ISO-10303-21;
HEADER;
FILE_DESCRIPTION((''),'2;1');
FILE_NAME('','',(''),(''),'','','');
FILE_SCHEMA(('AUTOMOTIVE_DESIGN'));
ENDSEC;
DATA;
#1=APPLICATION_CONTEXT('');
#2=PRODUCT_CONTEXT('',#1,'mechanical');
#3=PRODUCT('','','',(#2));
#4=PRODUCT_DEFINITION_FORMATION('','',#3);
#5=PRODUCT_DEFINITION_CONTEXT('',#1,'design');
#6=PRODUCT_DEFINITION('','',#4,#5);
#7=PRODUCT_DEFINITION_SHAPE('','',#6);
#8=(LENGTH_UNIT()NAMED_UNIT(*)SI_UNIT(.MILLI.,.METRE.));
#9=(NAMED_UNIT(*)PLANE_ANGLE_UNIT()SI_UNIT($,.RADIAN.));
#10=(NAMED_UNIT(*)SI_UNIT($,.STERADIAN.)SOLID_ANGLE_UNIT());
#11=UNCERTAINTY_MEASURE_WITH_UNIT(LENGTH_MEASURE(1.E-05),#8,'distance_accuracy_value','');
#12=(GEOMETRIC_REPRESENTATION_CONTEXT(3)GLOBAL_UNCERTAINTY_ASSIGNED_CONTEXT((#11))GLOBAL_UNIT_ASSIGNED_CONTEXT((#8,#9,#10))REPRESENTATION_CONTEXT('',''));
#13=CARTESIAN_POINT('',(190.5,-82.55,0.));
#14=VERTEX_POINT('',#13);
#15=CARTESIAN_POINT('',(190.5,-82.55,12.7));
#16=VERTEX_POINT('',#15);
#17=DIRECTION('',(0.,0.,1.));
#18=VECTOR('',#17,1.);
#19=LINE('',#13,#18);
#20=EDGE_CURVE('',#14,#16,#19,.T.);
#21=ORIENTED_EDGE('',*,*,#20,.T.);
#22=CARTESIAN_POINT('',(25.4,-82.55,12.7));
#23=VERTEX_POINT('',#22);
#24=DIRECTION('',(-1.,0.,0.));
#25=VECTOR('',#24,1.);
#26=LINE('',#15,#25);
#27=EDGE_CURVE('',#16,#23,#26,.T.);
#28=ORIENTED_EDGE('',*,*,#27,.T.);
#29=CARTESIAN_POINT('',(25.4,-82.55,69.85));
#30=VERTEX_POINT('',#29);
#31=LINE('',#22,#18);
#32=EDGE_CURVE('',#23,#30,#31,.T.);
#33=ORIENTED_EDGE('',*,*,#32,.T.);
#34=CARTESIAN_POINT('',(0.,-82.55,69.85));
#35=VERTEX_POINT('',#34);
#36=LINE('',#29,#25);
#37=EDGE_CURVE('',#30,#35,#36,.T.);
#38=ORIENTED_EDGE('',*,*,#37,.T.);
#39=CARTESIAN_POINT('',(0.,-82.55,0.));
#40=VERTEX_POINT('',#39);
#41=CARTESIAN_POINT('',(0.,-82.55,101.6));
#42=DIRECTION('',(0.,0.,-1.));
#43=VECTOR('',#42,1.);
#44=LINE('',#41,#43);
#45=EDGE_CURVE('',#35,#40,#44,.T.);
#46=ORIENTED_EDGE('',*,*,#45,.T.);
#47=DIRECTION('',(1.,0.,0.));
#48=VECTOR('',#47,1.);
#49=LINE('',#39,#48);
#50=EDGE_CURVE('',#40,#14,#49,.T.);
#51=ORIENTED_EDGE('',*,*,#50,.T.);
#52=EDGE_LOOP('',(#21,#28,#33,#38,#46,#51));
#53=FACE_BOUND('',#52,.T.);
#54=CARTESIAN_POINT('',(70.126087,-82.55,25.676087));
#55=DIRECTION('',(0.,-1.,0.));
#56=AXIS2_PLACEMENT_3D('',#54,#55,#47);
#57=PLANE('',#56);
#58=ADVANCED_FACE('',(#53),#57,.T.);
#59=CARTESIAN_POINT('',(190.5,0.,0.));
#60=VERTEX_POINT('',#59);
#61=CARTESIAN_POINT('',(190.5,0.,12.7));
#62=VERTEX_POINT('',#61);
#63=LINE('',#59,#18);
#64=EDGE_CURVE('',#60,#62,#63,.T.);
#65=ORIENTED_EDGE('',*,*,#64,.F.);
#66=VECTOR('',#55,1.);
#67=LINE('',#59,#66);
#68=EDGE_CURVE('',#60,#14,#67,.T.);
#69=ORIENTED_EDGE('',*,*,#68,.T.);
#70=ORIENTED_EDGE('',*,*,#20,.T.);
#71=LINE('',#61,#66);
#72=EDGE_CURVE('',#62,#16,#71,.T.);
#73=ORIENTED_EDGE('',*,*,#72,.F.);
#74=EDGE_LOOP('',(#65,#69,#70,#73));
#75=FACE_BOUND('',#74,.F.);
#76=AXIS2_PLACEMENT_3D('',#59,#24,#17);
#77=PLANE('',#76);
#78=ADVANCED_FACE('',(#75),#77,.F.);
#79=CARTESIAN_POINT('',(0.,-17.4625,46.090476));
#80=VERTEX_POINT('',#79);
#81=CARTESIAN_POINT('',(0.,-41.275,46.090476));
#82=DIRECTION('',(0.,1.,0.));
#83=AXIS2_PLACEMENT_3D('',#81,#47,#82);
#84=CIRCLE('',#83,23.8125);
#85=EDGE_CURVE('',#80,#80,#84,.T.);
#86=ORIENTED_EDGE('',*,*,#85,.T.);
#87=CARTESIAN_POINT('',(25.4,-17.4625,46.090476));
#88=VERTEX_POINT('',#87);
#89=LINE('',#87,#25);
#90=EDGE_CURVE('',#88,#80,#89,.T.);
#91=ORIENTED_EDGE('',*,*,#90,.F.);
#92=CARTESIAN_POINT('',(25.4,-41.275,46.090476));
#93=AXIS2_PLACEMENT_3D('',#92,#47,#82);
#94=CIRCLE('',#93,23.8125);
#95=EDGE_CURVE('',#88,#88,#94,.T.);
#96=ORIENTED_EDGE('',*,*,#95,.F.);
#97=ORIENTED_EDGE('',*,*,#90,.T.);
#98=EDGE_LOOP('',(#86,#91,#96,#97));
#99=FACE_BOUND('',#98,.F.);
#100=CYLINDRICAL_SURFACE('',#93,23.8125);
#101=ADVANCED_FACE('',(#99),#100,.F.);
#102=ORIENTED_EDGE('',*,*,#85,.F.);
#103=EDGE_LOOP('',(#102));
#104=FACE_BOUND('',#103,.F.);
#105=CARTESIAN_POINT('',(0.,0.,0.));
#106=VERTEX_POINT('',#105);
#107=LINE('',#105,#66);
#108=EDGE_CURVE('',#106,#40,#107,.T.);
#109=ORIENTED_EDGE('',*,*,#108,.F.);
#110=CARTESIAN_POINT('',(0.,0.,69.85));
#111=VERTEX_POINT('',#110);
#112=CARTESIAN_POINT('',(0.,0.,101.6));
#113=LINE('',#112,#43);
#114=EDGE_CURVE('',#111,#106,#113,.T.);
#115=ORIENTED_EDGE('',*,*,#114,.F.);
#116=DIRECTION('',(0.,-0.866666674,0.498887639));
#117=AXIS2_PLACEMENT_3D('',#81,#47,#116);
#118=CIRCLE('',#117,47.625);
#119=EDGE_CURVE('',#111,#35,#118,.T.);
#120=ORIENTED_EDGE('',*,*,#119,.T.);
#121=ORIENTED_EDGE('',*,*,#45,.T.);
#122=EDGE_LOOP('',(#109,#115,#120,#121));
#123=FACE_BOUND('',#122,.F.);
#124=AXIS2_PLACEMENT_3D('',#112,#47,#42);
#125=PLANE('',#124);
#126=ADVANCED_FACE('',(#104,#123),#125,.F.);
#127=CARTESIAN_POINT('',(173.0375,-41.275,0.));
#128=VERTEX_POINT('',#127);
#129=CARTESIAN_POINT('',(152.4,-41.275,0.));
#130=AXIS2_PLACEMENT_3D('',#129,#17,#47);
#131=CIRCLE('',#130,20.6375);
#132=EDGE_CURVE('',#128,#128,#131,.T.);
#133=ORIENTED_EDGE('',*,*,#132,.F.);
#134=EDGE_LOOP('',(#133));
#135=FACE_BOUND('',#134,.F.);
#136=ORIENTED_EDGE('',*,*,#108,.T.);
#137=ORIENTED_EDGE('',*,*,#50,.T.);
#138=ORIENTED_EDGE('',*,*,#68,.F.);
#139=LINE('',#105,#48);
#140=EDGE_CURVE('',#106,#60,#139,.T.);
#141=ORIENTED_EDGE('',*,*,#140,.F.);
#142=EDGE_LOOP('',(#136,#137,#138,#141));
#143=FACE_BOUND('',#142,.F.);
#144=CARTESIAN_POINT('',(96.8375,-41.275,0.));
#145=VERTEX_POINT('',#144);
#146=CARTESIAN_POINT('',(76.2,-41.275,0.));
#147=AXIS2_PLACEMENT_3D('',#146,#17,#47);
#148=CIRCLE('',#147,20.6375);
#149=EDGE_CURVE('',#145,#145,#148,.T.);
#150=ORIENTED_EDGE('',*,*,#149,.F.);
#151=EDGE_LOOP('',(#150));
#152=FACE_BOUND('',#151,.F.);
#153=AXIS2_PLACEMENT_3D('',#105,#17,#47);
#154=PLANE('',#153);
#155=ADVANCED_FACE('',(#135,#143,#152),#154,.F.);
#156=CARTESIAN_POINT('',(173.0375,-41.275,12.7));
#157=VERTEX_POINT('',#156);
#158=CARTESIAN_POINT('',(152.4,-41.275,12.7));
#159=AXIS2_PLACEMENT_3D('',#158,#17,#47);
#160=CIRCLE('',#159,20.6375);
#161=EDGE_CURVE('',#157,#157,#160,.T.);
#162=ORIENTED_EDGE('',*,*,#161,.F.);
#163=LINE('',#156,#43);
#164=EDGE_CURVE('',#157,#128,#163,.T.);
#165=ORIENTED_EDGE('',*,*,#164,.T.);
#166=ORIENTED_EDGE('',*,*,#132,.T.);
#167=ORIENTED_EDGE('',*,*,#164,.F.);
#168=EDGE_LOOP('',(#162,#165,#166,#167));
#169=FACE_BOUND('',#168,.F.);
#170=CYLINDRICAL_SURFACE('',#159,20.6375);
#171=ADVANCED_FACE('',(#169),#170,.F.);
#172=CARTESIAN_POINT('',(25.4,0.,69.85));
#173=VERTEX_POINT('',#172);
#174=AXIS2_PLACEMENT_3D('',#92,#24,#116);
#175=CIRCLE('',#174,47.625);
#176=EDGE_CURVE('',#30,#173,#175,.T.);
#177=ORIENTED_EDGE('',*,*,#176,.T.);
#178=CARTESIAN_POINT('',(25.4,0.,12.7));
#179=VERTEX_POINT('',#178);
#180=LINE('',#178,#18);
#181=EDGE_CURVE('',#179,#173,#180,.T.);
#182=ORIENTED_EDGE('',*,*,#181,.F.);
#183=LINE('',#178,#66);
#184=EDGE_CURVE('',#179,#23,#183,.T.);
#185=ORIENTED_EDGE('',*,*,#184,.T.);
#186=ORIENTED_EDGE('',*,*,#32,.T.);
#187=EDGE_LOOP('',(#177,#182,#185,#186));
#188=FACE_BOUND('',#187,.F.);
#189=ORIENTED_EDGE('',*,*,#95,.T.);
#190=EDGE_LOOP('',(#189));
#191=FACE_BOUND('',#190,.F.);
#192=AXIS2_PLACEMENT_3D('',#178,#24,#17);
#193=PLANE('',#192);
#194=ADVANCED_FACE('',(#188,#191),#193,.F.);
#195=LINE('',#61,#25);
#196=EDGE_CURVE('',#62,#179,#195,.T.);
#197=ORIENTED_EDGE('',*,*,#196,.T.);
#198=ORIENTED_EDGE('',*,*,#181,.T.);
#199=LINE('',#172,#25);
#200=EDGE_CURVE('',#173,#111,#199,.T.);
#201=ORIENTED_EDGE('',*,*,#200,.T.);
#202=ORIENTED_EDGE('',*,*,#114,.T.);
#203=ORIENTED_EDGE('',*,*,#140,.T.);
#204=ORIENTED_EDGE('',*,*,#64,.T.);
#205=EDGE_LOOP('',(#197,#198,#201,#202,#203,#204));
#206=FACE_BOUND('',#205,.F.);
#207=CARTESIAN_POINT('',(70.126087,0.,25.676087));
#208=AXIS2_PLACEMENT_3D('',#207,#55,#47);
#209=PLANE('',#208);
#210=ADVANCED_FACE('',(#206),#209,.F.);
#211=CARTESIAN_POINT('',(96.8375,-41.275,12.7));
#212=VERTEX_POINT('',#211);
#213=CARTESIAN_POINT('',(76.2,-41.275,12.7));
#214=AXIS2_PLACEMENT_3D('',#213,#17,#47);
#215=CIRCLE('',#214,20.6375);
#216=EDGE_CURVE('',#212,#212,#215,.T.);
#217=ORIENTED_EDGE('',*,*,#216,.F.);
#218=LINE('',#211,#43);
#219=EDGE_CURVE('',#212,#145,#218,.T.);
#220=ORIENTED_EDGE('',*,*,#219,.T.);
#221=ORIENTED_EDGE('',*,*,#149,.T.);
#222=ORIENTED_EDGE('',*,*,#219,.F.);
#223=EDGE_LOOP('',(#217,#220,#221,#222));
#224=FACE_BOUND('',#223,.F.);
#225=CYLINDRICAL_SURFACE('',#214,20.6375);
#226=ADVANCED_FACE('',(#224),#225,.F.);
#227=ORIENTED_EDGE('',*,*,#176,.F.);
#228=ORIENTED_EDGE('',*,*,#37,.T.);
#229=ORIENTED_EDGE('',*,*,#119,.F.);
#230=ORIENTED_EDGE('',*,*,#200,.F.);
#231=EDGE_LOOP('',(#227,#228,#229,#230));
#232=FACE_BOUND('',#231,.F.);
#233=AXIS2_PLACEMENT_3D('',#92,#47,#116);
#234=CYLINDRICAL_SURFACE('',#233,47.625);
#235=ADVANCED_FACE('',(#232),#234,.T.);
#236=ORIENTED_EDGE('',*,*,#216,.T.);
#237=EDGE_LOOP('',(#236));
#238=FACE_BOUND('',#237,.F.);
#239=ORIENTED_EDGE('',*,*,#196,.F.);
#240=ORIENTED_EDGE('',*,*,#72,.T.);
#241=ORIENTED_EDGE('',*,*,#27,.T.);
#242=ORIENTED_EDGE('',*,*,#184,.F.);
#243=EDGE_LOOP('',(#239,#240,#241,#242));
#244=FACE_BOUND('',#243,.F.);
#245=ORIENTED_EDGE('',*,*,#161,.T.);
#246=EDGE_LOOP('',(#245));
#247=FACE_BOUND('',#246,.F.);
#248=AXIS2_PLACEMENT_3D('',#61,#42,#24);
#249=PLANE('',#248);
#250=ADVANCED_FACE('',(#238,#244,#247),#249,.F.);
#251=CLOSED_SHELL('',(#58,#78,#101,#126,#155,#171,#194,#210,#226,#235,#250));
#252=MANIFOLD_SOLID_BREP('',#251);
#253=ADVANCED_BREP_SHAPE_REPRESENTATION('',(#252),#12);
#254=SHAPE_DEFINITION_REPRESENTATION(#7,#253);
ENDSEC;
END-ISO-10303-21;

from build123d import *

# Parameters (mm, degrees)
F1_DEPTH = 82.55
F2_R     = 20.6375
F3_DEPTH = 12.701
F5_DEPTH = 25.401
F6_R     = 23.8125
F7_DEPTH = 25.401


with BuildPart() as f1:
    # F0 (on Front) → F1 (new body)
    with BuildSketch(Plane.XZ):
        Polygon((0, 101.6), (0, 0), (190.5, 0), (190.5, 12.7), (25.4, 12.7), (25.4, 101.6), align=None)
    extrude(amount=F1_DEPTH)

    # F2 (on face) → F3 (cut, through all)
    with BuildSketch(Plane.XY.offset(12.7)):
        with Locations((76.2, -41.275)):
            Circle(F2_R)
        with Locations((152.4, -41.275)):
            Circle(F2_R)
    extrude(amount=-F3_DEPTH, mode=Mode.SUBTRACT)

    # F4 (on face) → F5 (cut, through all)
    with BuildSketch(Plane.YZ.offset(25.4)):
        with BuildLine():
            Line((-82.55, 101.6), (-82.55, 69.85))
            ThreePointArc((-82.55, 69.85), (-41.275, 93.715476), (0, 69.85))
            Line((0, 69.85), (0, 101.6))
            Line((0, 101.6), (-82.55, 101.6))
        make_face()
    extrude(amount=-F5_DEPTH, mode=Mode.SUBTRACT)

    # F6 (on face) → F7 (cut, through all)
    with BuildSketch(Plane.YZ.offset(25.4)):
        with Locations((-41.275, 46.090476)):
            Circle(F6_R)
    extrude(amount=-F7_DEPTH, mode=Mode.SUBTRACT)


solid = f1.part
